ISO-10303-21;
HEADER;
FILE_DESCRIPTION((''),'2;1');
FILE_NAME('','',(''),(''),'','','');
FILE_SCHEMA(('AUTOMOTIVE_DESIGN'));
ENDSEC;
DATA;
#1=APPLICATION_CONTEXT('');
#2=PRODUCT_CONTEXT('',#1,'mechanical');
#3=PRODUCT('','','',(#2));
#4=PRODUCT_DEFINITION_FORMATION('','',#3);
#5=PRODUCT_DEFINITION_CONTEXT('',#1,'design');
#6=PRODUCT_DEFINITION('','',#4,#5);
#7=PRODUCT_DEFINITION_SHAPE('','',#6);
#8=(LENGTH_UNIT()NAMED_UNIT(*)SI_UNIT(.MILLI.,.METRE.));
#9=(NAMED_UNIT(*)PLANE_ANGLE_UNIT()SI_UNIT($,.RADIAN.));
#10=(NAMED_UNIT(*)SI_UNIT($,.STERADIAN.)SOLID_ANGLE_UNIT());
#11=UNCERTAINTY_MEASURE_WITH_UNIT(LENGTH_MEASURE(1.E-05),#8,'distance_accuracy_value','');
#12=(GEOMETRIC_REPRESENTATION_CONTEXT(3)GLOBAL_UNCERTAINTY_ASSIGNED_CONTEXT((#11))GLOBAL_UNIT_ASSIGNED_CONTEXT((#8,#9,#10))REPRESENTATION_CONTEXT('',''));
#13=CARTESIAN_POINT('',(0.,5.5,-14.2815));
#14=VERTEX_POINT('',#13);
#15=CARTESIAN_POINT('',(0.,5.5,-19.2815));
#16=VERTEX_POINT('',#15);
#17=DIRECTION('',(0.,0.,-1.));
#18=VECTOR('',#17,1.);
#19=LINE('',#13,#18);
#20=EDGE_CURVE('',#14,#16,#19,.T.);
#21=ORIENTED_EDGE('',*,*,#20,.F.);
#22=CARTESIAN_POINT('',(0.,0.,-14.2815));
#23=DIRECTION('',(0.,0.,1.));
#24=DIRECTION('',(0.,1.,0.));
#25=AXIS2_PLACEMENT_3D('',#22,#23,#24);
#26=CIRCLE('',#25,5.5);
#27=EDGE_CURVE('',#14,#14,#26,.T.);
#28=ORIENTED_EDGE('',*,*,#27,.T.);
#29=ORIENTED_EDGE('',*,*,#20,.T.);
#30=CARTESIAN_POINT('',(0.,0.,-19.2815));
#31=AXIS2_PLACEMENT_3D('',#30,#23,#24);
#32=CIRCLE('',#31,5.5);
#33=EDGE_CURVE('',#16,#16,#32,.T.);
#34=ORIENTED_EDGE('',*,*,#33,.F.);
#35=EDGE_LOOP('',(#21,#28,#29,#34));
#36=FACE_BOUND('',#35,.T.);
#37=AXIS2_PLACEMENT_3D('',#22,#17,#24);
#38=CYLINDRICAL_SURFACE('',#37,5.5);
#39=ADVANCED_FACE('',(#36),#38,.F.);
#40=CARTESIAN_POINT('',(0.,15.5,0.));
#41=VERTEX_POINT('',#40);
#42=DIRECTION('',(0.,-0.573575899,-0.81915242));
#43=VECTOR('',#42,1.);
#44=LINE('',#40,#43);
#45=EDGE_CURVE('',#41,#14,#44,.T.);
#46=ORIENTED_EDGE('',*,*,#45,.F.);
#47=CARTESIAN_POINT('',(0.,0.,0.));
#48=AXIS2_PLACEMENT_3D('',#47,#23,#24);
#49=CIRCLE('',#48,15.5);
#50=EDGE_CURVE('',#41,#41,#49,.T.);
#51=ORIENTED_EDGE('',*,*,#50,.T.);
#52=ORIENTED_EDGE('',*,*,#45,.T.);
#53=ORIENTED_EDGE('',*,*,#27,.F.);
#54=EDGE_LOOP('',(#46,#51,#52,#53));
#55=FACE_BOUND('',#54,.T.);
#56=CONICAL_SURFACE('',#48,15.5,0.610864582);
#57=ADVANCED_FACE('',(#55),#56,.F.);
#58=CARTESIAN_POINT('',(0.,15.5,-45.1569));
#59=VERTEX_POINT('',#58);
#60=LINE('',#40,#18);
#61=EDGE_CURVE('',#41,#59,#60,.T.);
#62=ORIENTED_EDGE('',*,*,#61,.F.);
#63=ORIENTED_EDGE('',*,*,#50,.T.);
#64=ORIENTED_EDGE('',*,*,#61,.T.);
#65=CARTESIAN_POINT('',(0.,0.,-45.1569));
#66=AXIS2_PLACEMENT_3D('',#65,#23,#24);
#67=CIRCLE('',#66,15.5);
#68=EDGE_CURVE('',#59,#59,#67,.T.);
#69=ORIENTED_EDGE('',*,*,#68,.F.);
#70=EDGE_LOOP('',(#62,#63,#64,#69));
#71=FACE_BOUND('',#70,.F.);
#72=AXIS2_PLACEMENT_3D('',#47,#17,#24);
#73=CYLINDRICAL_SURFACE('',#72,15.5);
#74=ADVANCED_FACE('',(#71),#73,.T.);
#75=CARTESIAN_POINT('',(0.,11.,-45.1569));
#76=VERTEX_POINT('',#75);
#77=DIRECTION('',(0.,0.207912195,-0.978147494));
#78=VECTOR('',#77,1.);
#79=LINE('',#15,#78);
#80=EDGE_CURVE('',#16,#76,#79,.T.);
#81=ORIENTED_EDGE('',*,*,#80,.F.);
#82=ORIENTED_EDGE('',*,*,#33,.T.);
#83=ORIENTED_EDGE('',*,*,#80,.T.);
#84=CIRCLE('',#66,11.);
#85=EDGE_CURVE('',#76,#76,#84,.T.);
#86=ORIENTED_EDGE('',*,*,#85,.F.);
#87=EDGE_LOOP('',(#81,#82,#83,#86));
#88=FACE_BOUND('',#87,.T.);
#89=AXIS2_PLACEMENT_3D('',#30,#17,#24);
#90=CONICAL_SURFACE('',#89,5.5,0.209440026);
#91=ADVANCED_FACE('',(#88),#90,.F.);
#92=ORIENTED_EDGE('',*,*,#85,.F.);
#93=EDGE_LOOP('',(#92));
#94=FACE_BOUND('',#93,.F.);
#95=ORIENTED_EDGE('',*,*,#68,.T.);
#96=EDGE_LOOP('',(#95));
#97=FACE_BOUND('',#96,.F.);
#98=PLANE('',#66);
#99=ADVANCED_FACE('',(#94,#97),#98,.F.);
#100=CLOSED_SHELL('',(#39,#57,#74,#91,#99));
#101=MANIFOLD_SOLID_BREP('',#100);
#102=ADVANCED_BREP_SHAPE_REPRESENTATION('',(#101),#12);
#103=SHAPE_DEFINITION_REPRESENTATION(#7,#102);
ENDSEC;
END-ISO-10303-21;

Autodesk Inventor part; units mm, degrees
ref_plane "YZ Plane" through (0, 0, 0) normal (1, 0, 0) x (0, 1, 0)
ref_plane "XZ Plane" through (0, 0, 0) normal (0, 1, 0) x (-1, 0, 0)
ref_plane "XY Plane" through (0, 0, 0) normal (0, 0, 1) x (1, 0, 0)
sketch "Sketch1" plane through (0, 0, 0) normal (1, 0, 0) x (0, 1, 0)
  line L0 (0, 0) -> (15.5, 0)
  line L1 (15.5, 0) -> (35.6424, 0) construction
  line L2 (0, 0) -> (5.5, 0)
  line L3 (15.5, 0) -> (5.5, -14.2815)
  line L4 (15.5, 0) -> (45.1831, 0) construction
  line L5 (5.5, -14.2815) -> (5.5, -19.2815)
  line L6 (5.5, -19.2815) -> (11, -45.1569)
  line L7 (0, 0) -> (11, 0)
  line L8 (15.5, 0) -> (5.5, 0)
  line L9 (11, -45.1569) -> (5.5, -45.1569)
  line L10 (15.5, 0) -> (15.5, -45.1569)
  line L11 (15.5, -45.1569) -> (11, -45.1569)
  line L12 (0, -54.1883) -> (0, 9.0314) projected
  dimension "d0" = 15.5
  dimension "d3" = 5.5
  dimension "d4" = 125
  dimension "d6" = 5
  dimension "d7" = 168
  dimension "d8" = 11
  dimension "d9" = 45.157
  dimension "d10" = 25.8755
  dimension "d11" = 45.157
revolve "Revolution1" add sketch "Sketch1" angle 360 about axis through (0, 0, -10) along (0, 0, 1)
properties part number "optimum nozzle" material "Concrete"
